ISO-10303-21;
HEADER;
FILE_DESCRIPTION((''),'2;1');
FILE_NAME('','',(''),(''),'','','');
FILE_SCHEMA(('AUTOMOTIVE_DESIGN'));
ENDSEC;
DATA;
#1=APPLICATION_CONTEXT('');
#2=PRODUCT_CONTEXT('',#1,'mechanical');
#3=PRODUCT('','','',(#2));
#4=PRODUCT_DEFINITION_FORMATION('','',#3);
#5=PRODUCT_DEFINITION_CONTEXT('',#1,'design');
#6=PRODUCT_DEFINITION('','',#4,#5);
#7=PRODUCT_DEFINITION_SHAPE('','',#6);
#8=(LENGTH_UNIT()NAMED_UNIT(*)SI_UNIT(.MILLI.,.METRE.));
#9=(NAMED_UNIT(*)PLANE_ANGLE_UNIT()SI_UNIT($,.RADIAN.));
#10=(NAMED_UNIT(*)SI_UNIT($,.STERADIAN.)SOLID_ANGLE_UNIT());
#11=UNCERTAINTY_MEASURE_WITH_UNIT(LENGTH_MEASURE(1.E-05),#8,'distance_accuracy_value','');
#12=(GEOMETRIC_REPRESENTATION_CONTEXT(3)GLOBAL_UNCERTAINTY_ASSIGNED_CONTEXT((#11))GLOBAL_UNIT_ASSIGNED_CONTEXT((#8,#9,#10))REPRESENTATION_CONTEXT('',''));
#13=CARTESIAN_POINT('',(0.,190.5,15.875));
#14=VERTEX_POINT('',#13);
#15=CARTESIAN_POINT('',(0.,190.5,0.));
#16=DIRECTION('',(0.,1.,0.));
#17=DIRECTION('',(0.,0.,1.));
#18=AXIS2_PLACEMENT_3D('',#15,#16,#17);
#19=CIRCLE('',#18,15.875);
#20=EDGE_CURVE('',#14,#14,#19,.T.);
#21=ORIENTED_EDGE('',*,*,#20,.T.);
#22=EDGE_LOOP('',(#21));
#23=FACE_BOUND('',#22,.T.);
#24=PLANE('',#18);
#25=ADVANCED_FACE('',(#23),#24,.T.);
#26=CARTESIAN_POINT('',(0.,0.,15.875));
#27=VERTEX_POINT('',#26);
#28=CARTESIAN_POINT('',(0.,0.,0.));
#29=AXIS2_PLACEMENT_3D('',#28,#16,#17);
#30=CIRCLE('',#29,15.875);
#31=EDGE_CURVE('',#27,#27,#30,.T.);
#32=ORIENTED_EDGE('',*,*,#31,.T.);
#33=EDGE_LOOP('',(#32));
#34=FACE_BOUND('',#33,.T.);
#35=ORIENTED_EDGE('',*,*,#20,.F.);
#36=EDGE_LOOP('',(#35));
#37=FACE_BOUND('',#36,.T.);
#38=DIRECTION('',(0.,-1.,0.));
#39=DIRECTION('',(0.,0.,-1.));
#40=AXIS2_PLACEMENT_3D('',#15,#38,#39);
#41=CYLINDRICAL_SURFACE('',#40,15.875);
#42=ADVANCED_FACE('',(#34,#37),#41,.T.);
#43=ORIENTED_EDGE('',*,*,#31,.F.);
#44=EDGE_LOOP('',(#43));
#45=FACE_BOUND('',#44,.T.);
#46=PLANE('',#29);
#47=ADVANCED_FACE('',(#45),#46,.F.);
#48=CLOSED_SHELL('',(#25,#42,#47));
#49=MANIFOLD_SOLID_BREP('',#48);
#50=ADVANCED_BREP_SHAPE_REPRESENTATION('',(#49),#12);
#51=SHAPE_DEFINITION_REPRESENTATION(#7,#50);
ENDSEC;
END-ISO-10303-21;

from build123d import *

# Parameters (mm, degrees)
SKETCH2_R           = 15.875
BOSS_EXTRUDE1_DEPTH = 190.5


with BuildPart() as part:
    # Sketch2 → Boss-Extrude1 (new body)
    with BuildSketch(Plane(origin=(0, 0, 0), x_dir=(1, 0, 0), z_dir=(0, 1, 0))):
        Circle(SKETCH2_R)
    extrude(amount=BOSS_EXTRUDE1_DEPTH)


solid = part.part
